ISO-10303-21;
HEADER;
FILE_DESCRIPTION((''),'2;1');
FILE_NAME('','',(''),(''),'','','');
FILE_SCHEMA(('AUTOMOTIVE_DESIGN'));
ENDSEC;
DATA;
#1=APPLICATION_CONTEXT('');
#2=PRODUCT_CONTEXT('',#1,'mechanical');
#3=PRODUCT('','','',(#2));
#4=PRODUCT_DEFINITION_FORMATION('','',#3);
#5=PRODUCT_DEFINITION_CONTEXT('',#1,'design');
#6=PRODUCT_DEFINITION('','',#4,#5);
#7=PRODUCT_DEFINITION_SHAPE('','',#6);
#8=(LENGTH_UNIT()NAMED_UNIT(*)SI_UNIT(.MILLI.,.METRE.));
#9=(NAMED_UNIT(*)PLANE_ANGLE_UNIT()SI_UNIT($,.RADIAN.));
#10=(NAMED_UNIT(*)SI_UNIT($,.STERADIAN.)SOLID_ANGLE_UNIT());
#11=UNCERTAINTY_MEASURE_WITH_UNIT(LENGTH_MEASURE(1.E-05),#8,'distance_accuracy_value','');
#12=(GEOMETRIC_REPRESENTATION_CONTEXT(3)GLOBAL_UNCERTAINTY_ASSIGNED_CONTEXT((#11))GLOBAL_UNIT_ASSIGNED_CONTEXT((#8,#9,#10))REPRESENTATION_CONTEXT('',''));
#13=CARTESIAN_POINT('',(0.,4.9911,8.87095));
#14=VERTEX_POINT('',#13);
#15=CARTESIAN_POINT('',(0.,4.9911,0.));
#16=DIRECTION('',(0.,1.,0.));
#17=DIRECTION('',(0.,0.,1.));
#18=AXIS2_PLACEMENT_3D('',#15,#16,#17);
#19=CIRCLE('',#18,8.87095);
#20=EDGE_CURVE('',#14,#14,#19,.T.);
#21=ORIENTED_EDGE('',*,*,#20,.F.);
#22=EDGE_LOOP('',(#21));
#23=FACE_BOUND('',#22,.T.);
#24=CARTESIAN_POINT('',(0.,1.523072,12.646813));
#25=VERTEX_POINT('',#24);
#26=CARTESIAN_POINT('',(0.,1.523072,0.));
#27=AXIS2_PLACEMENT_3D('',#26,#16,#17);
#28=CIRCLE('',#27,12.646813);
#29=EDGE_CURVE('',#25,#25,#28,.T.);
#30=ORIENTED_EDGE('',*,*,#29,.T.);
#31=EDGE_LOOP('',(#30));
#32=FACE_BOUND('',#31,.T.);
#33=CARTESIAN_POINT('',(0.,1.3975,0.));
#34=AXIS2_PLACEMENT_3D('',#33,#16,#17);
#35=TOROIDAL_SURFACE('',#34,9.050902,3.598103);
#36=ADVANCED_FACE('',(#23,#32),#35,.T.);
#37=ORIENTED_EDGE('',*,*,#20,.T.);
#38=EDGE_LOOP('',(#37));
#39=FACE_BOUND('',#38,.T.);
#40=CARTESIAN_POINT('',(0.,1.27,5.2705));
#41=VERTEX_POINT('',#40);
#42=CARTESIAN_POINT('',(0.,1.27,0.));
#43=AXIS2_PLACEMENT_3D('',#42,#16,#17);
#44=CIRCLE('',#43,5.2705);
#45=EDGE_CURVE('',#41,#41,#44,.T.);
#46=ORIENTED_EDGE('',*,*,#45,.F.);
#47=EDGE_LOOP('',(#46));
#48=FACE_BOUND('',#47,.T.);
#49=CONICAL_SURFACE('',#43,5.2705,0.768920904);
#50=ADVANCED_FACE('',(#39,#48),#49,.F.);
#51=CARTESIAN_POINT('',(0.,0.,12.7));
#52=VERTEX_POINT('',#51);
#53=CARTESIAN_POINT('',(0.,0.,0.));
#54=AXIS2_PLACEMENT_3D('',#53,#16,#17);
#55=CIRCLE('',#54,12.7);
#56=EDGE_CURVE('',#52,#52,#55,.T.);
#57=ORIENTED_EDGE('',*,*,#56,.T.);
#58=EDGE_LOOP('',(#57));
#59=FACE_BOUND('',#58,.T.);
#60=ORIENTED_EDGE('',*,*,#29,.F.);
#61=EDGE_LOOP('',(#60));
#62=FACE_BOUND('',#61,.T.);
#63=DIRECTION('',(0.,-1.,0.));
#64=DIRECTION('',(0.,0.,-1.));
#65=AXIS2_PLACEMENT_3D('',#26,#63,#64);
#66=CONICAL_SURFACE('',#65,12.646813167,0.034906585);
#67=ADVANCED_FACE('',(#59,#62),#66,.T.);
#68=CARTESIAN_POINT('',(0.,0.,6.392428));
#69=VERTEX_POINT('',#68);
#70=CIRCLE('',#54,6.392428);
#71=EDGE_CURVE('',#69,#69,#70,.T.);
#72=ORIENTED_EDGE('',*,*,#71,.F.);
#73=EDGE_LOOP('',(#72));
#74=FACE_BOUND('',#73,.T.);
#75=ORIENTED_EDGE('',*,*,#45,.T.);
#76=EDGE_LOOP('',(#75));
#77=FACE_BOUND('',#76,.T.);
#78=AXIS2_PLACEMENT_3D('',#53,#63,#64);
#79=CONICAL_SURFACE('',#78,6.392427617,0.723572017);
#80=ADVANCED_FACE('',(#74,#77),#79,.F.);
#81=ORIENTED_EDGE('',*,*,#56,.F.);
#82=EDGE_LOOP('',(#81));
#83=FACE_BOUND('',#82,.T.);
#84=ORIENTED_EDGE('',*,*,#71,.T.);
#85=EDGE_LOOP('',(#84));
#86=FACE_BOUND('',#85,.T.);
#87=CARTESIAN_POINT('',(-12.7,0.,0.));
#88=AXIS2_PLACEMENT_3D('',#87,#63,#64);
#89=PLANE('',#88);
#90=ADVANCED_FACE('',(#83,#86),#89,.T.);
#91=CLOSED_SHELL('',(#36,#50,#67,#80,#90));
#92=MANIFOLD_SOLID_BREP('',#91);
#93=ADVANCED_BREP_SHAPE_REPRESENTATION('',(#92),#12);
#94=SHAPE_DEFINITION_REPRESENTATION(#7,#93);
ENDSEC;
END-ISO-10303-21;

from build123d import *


with BuildPart() as part:
    # Sketch2 → Revolve1 (revolve)
    with BuildSketch(Plane.XY):
        with BuildLine():
            Line((-8.87095, 4.9911), (-5.2705, 1.27))
            Line((-5.2705, 1.27), (-6.392427617, 0))
            Line((-6.392427617, 0), (-12.7, 0))
            Line((-12.7, 0), (-12.646813167, 1.52307162))
            ThreePointArc((-12.646813167, 1.52307162), (-11.484828724, 4.047470654), (-8.87095, 4.9911))
        make_face()
    revolve(axis=Axis((0, 9.185150429, 0), (0, -1, 0)))


solid = part.part
